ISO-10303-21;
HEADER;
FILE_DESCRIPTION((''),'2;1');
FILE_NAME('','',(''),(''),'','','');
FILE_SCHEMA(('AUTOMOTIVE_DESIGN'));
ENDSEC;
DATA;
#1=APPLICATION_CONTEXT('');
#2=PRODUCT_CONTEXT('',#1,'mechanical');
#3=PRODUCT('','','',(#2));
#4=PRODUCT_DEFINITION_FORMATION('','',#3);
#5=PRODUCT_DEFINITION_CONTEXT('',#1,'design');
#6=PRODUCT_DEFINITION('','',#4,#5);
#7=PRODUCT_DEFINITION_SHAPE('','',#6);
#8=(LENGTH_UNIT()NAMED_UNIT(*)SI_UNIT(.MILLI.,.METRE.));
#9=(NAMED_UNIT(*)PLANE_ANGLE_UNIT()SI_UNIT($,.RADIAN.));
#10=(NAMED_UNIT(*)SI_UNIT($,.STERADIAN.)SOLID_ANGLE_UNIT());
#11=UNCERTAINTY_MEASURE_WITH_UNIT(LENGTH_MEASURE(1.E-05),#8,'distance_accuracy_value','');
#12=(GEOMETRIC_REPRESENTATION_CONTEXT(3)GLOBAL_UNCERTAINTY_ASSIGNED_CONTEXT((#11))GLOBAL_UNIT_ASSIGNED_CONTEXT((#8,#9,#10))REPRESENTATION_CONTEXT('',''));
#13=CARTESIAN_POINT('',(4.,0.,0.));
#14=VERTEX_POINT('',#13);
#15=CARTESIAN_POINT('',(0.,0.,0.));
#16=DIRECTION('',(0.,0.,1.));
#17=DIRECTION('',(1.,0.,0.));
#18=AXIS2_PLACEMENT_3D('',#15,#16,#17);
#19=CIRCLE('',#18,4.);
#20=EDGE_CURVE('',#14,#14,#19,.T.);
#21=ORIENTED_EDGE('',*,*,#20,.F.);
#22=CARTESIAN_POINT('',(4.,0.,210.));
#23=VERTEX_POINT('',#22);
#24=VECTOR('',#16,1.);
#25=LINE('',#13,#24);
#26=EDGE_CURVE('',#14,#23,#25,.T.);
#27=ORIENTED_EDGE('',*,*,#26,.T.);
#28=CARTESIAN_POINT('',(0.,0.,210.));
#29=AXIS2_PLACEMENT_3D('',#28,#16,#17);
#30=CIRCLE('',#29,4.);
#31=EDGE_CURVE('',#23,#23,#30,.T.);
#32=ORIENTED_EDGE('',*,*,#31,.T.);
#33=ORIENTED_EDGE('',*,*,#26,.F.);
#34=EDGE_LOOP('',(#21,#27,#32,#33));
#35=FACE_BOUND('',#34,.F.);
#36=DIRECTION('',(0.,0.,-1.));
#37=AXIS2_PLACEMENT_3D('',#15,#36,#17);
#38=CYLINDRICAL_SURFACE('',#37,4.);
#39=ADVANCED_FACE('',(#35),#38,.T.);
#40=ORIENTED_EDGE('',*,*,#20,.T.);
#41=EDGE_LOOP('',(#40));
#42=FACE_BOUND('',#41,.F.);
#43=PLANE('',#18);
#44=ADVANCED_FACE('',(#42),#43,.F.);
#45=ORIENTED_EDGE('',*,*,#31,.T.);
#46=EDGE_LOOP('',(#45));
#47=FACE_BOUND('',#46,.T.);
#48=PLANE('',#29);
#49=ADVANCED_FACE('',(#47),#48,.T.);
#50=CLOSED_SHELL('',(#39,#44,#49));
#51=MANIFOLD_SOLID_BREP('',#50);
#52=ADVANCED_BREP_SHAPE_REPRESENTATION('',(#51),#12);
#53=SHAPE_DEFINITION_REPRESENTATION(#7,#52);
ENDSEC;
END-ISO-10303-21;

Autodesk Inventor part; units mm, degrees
ref_plane "YZ Plane" through (0, 0, 0) normal (1, 0, 0) x (0, 1, 0)
ref_plane "XZ Plane" through (0, 0, 0) normal (0, 1, 0) x (-1, 0, 0)
ref_plane "XY Plane" through (0, 0, 0) normal (0, 0, 1) x (1, 0, 0)
sketch "Sketch1" plane through (0, 0, 0) normal (0, 0, 1) x (1, 0, 0)
  circle A0 centre (0, 0) radius 4
  dimension "d0" = 8
extrude "Extrusion1" add sketch "Sketch1" along normal blind 210
thread "Thread1" size "M8x1.25" class "6g" standard "ANSI Metric M Profile" full length
properties part number "frame rod 1"
